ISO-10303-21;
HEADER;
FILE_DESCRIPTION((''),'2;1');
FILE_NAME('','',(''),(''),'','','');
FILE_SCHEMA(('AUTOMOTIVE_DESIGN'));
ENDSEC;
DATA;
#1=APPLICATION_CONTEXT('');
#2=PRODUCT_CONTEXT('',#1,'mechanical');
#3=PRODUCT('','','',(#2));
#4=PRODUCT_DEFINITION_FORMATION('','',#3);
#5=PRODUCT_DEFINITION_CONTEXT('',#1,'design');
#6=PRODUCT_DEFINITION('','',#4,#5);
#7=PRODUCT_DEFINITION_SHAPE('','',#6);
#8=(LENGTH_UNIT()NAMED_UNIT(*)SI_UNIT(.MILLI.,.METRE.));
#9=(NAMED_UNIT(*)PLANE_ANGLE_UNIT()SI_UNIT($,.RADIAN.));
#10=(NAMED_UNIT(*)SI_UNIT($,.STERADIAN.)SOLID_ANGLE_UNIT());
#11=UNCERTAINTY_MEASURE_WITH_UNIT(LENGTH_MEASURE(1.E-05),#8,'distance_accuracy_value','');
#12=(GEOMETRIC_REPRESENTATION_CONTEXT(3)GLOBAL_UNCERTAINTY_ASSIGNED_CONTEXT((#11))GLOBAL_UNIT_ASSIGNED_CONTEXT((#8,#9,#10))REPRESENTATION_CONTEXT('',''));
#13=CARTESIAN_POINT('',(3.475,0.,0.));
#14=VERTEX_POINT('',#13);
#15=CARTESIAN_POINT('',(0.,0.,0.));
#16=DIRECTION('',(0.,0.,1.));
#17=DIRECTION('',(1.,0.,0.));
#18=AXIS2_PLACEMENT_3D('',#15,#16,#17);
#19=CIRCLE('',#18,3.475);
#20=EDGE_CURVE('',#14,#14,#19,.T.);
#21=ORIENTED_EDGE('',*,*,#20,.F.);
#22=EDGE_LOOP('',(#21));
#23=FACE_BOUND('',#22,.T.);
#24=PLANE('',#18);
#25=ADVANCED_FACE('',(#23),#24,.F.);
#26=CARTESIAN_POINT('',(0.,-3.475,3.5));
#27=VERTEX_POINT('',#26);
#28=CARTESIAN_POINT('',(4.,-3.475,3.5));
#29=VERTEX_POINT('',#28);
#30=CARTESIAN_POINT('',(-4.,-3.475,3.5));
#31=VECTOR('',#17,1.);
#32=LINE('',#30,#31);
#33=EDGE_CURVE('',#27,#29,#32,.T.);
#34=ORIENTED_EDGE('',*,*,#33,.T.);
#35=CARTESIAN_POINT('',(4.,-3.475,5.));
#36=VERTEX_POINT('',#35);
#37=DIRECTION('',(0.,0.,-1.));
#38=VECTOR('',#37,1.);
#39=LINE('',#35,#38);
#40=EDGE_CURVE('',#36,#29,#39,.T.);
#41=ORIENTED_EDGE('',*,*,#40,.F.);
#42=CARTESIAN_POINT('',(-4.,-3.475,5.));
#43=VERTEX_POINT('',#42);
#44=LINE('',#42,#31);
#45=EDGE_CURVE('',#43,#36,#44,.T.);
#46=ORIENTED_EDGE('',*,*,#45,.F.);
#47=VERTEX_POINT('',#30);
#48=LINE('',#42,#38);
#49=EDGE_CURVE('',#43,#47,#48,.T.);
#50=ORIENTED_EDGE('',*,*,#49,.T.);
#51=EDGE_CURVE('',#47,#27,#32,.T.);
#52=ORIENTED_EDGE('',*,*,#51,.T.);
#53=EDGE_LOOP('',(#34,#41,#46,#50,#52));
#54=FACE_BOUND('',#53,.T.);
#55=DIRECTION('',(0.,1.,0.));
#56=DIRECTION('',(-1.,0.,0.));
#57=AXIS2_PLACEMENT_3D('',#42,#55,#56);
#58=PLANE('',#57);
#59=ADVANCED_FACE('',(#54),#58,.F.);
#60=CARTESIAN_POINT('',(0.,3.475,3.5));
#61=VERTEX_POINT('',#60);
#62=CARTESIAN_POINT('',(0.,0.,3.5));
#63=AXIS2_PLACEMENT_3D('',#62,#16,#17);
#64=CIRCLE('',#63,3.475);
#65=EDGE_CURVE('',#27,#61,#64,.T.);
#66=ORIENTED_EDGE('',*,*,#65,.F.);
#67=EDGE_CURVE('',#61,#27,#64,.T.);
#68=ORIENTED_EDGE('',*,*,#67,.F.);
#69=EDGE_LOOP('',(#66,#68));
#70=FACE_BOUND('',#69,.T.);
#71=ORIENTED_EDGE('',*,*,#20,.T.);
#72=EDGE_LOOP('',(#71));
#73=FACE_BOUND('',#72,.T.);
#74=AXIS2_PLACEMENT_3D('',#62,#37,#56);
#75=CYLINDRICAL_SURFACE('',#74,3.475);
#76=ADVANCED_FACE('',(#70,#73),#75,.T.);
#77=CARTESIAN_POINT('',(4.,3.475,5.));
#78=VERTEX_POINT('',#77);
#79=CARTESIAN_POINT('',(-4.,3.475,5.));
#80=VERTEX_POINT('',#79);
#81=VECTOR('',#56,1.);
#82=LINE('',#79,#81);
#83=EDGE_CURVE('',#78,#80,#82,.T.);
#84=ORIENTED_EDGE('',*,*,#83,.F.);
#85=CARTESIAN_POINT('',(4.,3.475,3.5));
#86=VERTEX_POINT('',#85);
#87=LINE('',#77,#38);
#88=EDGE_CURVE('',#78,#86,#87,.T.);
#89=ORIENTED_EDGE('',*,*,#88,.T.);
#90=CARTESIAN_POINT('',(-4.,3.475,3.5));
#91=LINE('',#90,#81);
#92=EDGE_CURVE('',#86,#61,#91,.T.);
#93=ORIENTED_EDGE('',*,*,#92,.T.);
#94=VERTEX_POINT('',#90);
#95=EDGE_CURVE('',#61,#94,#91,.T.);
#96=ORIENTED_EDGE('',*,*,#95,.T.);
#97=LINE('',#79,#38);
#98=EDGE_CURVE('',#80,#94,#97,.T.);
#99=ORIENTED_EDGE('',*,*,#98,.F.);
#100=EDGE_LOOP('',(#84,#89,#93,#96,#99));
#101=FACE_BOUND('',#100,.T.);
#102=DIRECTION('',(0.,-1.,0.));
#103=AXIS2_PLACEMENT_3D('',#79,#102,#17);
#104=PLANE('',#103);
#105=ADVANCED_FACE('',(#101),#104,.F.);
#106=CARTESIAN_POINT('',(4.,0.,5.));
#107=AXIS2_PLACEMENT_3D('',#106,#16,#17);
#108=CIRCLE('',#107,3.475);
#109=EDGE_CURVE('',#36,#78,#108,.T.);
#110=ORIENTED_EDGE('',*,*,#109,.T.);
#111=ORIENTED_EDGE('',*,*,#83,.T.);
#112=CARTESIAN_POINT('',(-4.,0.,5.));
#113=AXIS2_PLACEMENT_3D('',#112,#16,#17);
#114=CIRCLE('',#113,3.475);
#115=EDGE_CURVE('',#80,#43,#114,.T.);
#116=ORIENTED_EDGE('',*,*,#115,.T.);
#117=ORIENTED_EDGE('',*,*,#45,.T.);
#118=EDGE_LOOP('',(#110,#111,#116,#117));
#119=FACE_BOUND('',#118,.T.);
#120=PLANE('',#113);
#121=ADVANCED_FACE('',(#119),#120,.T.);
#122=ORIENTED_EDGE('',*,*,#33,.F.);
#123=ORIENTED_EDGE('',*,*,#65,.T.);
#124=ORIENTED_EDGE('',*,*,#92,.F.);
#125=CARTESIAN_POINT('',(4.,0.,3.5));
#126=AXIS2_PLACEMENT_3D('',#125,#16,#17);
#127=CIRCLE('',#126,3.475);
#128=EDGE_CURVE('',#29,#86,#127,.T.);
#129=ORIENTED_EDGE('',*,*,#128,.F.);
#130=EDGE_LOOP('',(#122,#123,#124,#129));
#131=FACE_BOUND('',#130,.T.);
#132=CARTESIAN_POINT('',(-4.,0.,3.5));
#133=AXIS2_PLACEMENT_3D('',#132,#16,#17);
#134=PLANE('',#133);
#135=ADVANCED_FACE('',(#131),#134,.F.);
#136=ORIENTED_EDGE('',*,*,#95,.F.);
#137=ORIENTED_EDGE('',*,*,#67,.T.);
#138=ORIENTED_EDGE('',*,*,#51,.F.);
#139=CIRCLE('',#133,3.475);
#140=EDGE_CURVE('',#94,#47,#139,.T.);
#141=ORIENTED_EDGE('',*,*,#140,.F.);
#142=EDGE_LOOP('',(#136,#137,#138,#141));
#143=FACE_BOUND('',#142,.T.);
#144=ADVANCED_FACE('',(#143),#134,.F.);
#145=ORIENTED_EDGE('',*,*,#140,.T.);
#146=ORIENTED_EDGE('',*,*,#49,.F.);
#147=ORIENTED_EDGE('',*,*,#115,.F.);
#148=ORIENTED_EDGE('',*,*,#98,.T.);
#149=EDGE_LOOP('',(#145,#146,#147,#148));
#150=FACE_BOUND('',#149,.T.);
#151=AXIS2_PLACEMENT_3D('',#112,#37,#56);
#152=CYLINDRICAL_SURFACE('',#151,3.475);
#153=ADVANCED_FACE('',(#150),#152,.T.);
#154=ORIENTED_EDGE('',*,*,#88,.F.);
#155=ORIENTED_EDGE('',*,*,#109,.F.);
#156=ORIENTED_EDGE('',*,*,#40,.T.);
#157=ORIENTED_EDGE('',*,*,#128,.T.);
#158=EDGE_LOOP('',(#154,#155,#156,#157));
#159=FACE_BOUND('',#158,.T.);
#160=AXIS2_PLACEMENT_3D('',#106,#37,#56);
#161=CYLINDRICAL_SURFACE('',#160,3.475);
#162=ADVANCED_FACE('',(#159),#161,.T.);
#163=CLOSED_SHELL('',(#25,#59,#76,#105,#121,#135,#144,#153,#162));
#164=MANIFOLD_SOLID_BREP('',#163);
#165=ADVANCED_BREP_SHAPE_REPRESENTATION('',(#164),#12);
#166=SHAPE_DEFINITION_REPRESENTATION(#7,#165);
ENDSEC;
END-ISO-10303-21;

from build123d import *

# Parameters (mm, degrees)
SKIZZE1_R                       = 3.475
AUFSATZ_LINEAR_AUSTRAGEN1_DEPTH = 3.5
AUFSATZ_LINEAR_AUSTRAGEN2_DEPTH = 1.5


with BuildPart() as part:
    # Skizze1 → Aufsatz-Linear austragen1 (new body)
    with BuildSketch(Plane.XY):
        Circle(SKIZZE1_R)
    extrude(amount=AUFSATZ_LINEAR_AUSTRAGEN1_DEPTH)

    # Skizze2 → Aufsatz-Linear austragen2 (add)
    with BuildSketch(Plane.XY.offset(3.5)):
        with BuildLine():
            Line((-4, 3.475), (4, 3.475))
            ThreePointArc((4, 3.475), (7.475, 0), (4, -3.475))
            Line((4, -3.475), (-4, -3.475))
            ThreePointArc((-4, -3.475), (-7.475, 0), (-4, 3.475))
        make_face()
    extrude(amount=AUFSATZ_LINEAR_AUSTRAGEN2_DEPTH)


solid = part.part
